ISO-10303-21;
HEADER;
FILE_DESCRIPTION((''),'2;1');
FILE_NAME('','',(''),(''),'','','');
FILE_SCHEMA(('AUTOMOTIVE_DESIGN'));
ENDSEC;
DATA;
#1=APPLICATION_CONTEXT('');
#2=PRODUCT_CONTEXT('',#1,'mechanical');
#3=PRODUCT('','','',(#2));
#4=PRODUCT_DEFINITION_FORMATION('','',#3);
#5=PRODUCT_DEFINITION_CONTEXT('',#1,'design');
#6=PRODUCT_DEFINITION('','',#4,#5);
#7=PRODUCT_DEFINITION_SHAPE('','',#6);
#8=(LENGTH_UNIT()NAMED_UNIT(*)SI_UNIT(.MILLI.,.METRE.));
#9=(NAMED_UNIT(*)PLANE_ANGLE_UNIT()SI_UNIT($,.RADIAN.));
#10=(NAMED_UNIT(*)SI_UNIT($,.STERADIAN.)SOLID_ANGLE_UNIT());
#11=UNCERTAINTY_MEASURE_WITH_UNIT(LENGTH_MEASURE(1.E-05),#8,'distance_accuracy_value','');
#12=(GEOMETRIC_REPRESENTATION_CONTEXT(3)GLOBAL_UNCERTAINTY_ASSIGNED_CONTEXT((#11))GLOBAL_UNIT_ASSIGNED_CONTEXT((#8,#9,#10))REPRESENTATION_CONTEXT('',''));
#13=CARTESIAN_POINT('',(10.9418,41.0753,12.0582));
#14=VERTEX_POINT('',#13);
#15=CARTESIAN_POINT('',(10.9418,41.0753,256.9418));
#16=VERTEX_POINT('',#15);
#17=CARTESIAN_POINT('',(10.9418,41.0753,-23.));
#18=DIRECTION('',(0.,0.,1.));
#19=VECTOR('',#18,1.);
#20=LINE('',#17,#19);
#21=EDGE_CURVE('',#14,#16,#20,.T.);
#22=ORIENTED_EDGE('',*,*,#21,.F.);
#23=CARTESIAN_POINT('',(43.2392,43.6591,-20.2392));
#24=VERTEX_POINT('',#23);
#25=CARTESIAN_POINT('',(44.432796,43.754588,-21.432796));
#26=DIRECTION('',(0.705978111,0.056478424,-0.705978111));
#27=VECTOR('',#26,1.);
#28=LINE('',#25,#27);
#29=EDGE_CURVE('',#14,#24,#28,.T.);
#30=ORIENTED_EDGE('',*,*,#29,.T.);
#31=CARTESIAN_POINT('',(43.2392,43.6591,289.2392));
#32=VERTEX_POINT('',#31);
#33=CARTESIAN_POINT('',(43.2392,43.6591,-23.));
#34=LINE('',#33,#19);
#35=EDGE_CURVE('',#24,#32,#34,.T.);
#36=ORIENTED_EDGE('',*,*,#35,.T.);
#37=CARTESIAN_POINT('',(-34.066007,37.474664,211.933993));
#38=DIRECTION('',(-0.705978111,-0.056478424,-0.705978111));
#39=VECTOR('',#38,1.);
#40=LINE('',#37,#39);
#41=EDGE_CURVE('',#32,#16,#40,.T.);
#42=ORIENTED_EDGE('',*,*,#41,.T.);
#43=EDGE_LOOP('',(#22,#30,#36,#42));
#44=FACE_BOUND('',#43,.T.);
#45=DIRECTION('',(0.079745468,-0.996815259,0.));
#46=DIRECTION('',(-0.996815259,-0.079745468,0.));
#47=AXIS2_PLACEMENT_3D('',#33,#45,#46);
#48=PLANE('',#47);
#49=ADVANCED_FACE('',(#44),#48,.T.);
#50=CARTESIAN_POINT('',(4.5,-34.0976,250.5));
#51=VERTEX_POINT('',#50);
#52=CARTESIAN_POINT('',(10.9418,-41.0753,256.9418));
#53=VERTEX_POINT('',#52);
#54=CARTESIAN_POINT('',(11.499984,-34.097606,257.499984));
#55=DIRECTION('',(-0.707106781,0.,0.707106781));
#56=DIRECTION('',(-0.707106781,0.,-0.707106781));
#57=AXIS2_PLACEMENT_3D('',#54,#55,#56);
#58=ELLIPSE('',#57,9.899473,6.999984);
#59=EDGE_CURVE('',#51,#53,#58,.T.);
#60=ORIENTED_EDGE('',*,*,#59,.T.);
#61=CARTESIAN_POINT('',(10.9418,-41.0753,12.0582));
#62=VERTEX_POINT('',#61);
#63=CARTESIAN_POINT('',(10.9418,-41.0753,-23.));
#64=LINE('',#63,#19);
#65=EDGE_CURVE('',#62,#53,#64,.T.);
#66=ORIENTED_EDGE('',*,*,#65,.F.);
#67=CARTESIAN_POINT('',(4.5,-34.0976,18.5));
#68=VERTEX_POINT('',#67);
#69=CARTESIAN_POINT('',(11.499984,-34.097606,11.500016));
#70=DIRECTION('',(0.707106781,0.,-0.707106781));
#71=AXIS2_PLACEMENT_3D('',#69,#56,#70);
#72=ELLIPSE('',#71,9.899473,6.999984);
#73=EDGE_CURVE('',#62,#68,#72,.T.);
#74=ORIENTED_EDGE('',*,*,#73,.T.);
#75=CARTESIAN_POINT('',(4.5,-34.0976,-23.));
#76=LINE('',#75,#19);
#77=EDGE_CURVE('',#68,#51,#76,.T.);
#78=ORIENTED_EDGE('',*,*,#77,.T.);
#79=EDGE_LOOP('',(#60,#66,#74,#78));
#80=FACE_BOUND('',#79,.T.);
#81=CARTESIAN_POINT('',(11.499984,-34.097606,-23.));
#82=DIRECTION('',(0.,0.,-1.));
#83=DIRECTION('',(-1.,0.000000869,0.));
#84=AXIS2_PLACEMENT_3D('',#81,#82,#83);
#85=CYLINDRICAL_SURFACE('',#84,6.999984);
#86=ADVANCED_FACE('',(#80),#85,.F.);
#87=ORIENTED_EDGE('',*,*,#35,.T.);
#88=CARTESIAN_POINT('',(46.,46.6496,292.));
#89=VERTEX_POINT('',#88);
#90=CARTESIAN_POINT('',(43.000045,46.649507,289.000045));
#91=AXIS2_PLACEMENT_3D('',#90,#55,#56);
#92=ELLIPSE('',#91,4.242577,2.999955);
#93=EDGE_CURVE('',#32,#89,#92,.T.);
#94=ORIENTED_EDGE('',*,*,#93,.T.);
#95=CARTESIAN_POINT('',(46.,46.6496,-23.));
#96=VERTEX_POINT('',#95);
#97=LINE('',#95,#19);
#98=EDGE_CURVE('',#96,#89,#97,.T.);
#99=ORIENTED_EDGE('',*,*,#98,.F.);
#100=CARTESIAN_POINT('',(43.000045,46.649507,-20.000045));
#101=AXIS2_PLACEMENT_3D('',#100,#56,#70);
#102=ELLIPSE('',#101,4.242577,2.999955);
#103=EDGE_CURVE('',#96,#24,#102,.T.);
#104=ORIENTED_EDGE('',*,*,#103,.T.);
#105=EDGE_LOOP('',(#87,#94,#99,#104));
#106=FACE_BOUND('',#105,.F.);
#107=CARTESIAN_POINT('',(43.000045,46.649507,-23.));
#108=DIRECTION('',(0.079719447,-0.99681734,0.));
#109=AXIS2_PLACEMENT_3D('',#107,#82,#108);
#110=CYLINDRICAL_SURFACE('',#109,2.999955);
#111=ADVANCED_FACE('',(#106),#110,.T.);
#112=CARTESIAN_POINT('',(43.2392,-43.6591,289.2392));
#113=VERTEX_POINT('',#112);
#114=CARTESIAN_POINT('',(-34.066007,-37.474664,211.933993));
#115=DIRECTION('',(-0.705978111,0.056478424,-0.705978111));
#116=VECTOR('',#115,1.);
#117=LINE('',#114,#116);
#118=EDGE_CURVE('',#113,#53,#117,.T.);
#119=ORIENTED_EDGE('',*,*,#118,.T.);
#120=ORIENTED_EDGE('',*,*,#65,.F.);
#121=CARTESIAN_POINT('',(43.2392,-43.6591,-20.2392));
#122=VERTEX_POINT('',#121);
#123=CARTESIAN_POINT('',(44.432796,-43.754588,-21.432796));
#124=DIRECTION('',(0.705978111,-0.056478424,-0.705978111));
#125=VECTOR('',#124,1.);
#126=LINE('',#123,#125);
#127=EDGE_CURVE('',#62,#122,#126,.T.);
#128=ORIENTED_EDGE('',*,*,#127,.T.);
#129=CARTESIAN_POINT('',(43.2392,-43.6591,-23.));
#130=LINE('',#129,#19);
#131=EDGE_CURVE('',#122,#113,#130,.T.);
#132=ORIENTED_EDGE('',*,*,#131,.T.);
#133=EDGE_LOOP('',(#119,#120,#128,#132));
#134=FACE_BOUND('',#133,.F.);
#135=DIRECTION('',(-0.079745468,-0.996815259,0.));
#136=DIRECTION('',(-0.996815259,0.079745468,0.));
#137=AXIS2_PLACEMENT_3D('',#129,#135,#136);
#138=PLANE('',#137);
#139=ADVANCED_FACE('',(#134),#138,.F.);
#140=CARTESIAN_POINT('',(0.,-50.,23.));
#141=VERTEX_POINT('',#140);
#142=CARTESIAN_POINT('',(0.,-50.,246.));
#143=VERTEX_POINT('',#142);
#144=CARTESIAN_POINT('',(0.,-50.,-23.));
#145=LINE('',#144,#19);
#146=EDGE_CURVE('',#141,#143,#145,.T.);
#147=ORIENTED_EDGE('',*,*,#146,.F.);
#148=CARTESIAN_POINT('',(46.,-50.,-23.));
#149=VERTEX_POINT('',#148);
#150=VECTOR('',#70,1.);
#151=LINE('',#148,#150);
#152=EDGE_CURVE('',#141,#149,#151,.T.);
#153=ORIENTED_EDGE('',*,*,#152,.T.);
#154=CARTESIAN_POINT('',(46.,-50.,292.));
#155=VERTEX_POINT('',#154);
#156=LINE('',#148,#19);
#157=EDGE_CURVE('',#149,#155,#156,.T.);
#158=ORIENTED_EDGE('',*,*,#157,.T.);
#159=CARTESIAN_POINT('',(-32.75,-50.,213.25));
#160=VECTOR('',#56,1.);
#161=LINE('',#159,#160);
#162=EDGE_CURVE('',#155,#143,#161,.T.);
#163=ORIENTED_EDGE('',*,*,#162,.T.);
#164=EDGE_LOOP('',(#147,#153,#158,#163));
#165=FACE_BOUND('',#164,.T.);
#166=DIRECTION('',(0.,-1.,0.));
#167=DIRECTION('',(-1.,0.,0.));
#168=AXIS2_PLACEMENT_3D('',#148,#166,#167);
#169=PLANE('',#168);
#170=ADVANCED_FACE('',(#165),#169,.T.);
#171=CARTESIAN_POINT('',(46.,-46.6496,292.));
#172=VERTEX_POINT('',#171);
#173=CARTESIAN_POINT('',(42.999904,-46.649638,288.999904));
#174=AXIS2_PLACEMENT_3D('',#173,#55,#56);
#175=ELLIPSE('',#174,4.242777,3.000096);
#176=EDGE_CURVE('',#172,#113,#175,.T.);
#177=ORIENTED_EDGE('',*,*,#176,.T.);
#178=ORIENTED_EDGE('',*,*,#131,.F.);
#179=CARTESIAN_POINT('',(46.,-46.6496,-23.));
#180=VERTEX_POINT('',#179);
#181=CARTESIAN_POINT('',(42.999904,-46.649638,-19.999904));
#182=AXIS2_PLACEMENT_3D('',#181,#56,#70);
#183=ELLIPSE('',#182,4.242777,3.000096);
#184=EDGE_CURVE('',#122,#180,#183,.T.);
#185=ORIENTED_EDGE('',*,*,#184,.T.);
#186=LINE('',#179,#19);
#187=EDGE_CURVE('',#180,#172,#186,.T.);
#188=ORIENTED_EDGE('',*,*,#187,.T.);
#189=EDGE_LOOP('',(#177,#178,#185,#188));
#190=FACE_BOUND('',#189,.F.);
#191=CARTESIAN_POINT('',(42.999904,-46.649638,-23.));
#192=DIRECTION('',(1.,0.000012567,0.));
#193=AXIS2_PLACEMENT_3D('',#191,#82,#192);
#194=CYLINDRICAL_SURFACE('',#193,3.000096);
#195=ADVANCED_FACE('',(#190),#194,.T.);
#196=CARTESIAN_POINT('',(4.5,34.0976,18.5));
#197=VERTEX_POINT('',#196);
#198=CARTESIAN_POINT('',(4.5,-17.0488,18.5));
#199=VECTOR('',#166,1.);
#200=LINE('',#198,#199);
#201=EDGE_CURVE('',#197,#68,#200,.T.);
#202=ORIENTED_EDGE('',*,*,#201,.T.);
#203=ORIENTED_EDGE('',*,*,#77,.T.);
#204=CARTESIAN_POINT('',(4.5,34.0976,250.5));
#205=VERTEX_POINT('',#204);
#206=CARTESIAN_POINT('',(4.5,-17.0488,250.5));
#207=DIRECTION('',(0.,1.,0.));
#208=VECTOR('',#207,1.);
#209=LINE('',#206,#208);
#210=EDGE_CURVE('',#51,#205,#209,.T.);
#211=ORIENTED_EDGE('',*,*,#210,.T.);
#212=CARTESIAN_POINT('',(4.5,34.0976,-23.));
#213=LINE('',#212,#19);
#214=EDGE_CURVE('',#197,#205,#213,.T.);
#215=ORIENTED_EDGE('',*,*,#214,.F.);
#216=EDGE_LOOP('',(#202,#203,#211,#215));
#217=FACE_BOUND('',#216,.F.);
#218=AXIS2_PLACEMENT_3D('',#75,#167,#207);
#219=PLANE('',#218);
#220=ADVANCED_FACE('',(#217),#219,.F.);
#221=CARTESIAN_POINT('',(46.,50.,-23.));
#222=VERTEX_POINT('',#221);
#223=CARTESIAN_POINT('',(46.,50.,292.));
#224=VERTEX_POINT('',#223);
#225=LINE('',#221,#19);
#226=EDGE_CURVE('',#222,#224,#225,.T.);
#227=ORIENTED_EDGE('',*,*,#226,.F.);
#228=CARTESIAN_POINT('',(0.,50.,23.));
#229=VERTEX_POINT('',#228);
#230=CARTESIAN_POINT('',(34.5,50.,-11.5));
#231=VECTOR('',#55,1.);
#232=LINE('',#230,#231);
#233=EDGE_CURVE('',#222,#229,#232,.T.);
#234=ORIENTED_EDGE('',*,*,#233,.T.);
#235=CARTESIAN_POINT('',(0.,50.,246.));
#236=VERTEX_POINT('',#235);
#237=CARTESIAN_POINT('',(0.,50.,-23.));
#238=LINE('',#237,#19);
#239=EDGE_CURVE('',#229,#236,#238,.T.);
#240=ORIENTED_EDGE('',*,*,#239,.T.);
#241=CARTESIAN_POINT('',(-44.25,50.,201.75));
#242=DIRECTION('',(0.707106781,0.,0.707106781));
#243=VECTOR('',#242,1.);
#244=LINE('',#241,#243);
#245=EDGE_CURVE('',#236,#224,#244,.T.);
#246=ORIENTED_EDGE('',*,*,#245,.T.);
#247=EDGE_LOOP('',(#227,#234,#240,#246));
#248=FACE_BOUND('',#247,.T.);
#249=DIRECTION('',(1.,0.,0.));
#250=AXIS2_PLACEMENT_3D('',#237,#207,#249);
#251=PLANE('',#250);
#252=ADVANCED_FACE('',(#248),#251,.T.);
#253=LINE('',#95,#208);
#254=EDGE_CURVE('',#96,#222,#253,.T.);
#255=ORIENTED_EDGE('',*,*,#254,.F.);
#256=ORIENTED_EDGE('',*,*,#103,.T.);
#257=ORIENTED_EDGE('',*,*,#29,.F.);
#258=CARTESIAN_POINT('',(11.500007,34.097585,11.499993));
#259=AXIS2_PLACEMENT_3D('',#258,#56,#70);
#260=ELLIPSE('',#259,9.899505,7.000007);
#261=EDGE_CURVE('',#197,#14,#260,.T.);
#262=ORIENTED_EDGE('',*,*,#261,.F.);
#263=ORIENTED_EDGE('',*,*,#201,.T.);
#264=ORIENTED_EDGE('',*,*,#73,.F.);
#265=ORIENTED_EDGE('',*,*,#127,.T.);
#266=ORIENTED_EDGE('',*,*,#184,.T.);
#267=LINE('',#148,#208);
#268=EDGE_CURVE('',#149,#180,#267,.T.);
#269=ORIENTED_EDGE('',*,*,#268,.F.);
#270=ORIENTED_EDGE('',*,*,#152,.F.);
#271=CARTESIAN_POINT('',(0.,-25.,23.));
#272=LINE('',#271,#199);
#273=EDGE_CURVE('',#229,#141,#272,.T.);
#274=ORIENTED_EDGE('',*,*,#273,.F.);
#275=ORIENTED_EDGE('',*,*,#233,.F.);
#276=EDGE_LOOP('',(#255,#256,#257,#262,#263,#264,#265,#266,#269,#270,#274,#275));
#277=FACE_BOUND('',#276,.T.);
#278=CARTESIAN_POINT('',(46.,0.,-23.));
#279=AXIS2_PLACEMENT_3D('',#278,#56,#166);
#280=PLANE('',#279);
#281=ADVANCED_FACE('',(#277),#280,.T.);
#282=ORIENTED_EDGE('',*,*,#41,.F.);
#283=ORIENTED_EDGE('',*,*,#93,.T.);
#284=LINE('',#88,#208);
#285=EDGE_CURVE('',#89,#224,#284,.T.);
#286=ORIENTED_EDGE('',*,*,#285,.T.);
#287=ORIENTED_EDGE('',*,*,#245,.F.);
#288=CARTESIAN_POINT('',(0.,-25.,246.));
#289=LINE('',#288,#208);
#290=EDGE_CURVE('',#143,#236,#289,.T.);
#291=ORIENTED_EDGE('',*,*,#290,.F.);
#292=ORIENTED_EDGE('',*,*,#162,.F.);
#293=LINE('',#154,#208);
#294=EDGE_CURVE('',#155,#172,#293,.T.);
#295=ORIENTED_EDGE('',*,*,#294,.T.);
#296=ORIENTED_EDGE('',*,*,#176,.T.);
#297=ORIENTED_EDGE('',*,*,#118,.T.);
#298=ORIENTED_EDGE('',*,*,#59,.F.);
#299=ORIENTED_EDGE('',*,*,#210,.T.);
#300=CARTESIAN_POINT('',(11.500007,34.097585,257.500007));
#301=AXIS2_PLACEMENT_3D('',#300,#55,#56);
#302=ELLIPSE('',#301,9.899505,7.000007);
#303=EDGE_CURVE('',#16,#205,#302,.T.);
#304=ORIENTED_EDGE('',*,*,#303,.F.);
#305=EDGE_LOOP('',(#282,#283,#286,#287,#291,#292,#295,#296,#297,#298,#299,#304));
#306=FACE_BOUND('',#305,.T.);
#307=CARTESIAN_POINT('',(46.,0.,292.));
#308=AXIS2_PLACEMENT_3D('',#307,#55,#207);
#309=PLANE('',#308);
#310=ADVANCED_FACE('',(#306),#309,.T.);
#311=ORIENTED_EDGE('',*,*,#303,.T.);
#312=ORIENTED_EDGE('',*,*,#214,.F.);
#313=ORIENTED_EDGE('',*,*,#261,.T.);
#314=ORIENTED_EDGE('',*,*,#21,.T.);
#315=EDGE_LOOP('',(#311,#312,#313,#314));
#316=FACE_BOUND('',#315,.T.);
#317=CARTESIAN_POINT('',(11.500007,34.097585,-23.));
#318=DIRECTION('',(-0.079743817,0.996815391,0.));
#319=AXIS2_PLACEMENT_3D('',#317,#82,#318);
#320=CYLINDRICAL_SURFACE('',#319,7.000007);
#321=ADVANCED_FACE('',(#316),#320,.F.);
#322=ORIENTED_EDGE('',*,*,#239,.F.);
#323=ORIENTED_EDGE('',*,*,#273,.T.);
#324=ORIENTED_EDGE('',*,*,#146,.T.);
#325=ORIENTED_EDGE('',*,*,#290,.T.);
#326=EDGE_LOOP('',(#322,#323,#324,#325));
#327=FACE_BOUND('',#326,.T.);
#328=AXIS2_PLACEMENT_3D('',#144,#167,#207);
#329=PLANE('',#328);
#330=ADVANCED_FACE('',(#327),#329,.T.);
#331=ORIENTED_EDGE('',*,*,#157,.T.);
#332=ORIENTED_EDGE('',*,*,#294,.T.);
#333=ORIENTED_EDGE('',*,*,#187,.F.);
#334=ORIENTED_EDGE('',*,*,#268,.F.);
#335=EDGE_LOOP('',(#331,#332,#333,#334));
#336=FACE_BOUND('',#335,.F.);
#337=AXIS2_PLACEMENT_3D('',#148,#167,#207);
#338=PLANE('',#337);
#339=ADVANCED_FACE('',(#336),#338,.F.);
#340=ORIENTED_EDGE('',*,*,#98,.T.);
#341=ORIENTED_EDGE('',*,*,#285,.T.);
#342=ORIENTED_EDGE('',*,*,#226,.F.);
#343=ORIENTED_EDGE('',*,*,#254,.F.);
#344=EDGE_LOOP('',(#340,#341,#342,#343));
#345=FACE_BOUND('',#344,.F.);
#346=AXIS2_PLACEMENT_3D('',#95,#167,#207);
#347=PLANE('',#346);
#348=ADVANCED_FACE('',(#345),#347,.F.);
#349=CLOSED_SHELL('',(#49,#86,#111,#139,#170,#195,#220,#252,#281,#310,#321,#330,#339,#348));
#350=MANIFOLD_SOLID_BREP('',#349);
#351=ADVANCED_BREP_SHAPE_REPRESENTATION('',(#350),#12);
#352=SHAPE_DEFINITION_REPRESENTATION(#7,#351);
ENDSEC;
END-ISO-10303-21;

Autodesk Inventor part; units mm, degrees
ref_plane "Начальная плоскость" through (0, 0, -23) normal (0, 0, 1) x (1, 0, 0)
ref_plane "Конечная плоскость" through (0, 0, 292) normal (0, 0, 1) x (1, 0, 0)
sketch "Эскиз" plane through (0, 0, 0) normal (0, 0, 1) x (1, 0, 0)
  line L0 (46, -50) -> (0, -50)
  line L1 (46, -50) -> (46, -46.6496)
  line L2 (43.2392, -43.6591) -> (10.9418, -41.0753)
  line L3 (4.5, -34.0976) -> (4.5, 34.0976)
  line L4 (43.2392, 43.6591) -> (10.9418, 41.0753)
  line L5 (46, 46.6496) -> (46, 50)
  line L6 (0, 50) -> (46, 50)
  line L7 (0, -50) -> (0, 50)
  arc A0 (4.5, -34.0976) -> (10.9418, -41.0753) centre (11.5, -34.0976) ccw
  arc A1 (10.9418, 41.0753) -> (4.5, 34.0976) centre (11.5, 34.0976) ccw
  arc A2 (46, -46.6496) -> (43.2392, -43.6591) centre (43, -46.6496) ccw
  arc A3 (43.2392, 43.6591) -> (46, 46.6496) centre (43, 46.6496) ccw
  line L8 (0, 70) -> (0, -70) construction
  line L9 (-9.3169, 0) -> (55.9016, 0) construction
  point P0 (46, -43.88)
  point P1 (4.5, -40.56)
  point P2 (4.5, 40.56)
  point P3 (46, 43.88)
  dimension "d3" = 46
  dimension "d5" = 4.5
  dimension "d7" = 100
  dimension "d9" = 9.44
  dimension "d11" = 9.44
  dimension "d13" = 6.12
  dimension "d15" = 6.12
  dimension "d22" = 7
  dimension "d23" = 3
  dimension "d24" = 50
  dimension "d25" = 0
extrude "Тело" add sketch "Эскиз" along normal up to surface (315 mm away) from surface at -23
sketch "Sketch3" plane through (0, 0, 0) normal (0, 0, 1) x (1, 0, 0)
  line L0 (0, 0) -> (10, 0)
ref_plane "Work Plane7" through (0, 0, 0) normal (0, -1, 0) x (1, 0, 0)
sketch "Sketch4" plane through (0, 0, 0) normal (0, -1, 0) x (1, 0, 0)
  line L0 (-2, -23) -> (12, -23)
  line L1 (-2, 292) -> (12, 292)
  dimension "d29" = 315
ref_plane "РабПлоскость8" through (46, 0, -23) normal (-0.7071, 0, -0.7071) x (-0.7071, 0, 0.7071)
split "Разделение1" plane through (46, 0, -23) removes the side toward (-0.7071, 0, -0.7071)
ref_plane "РабПлоскость9" through (46, 0, 292) normal (-0.7071, 0, 0.7071) x (0.7071, 0, 0.7071)
split "Разделение2" plane through (46, 0, 292) removes the side toward (-0.7071, 0, 0.7071)
equation "\"d3\" = b"
equation "\"d5\" = t1"
equation "\"d7\" = ParH"
equation "\"d9\" = msp_x1 + t2"
equation "\"d11\" = msp_x1 + t2"
equation "\"d13\" = -msp_x2 + t2"
equation "\"d15\" = -msp_x2 + t2"
equation "\"d22\" = R"
equation "\"d23\" = R1"
equation "\"d24\" = 0.5 * d7"
equation "\"d16\" = G_L"
equation "\"R1\" = 3"
equation "\"R\" = 7"
equation "\"t1\" = 4.5"
equation "\"t2\" = 7.6"
equation "\"ParH\" = 100"
equation "\"b\" = 46"
equation "\"msp_x1\" = 0.04 * b"
equation "\"msp_x2\" = -0.08 * t1 + 0.04 * b"
equation "\"G_L\" = d29"
equation "\"ex\" = 0"
equation "\"G_OFFSET_START\" = 23"
equation "\"G_OFFSET_END\" = 23"
equation "\"d26\" = -G_OFFSET_START"
equation "\"d27\" = G_OFFSET_END + B_L"
equation "\"B_L\" = 269"
properties part number "Швеллер 10U-315 ГОСТ 8240-97" material "Сталь, мягкая"
